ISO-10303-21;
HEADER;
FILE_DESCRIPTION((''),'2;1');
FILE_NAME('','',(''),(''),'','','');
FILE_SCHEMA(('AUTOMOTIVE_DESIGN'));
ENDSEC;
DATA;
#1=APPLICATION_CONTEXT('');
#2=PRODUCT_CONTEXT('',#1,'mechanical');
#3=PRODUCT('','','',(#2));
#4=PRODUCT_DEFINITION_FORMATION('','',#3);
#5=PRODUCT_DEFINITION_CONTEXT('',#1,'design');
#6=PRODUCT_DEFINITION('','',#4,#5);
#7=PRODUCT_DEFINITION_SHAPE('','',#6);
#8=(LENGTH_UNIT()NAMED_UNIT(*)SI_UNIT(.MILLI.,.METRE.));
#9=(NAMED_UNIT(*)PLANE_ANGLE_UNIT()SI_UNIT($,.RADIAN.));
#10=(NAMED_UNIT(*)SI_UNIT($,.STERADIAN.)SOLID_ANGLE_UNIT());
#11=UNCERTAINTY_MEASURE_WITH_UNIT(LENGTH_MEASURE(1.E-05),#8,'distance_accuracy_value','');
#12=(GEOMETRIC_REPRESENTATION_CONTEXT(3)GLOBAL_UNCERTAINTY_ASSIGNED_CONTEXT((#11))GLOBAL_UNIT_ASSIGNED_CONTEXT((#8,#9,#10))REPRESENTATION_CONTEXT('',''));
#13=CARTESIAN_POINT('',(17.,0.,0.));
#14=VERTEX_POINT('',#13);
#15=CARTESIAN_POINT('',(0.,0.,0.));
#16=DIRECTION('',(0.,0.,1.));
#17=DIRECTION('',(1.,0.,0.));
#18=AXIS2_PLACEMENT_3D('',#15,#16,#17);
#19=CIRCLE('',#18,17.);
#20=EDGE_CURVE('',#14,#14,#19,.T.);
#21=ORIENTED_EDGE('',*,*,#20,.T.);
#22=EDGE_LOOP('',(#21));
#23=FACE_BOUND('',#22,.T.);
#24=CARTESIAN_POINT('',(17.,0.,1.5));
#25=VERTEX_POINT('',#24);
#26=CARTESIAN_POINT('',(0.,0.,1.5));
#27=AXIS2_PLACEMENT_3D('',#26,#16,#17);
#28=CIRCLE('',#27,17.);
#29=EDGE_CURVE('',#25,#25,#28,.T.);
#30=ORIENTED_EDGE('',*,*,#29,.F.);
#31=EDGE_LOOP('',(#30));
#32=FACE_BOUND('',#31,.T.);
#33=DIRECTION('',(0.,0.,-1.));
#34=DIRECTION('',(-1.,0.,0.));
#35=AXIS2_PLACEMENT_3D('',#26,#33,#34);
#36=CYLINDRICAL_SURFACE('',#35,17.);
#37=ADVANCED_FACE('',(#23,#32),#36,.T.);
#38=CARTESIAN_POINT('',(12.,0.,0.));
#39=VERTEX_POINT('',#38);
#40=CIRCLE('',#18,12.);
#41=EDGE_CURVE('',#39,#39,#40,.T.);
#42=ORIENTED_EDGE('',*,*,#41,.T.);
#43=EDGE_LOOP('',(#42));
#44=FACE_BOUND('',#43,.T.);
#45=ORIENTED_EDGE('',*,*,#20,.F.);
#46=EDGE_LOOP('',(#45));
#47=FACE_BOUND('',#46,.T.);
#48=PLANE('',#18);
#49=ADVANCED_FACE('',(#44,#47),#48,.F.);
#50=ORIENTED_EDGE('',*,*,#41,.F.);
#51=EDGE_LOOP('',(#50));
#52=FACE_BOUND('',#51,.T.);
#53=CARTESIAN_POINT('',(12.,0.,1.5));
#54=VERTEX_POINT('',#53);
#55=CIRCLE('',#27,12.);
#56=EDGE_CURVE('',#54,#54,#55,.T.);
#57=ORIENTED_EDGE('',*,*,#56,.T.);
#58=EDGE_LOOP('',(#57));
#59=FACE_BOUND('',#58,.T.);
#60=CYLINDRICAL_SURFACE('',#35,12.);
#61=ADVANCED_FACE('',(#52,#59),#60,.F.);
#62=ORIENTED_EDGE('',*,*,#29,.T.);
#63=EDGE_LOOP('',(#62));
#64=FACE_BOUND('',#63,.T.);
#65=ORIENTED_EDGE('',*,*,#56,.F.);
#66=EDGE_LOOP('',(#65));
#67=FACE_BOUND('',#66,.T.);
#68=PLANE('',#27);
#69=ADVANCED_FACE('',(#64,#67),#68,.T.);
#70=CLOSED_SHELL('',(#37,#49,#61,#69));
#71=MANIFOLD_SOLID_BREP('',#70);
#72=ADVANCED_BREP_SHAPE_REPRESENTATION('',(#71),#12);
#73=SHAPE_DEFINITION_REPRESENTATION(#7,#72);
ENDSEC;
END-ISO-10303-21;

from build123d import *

# Parameters (mm, degrees)
SKETCH_1_R      = 17
SKETCH_1_R_2    = 12
EXTRUDE_1_DEPTH = 1.5


with BuildPart() as part:
    # Эскиз1 → Вытянуть-Тонкостенный1 (new body)
    with BuildSketch(Plane.XY):
        Circle(SKETCH_1_R)
        Circle(SKETCH_1_R_2, mode=Mode.SUBTRACT)
    extrude(amount=EXTRUDE_1_DEPTH)


solid = part.part
